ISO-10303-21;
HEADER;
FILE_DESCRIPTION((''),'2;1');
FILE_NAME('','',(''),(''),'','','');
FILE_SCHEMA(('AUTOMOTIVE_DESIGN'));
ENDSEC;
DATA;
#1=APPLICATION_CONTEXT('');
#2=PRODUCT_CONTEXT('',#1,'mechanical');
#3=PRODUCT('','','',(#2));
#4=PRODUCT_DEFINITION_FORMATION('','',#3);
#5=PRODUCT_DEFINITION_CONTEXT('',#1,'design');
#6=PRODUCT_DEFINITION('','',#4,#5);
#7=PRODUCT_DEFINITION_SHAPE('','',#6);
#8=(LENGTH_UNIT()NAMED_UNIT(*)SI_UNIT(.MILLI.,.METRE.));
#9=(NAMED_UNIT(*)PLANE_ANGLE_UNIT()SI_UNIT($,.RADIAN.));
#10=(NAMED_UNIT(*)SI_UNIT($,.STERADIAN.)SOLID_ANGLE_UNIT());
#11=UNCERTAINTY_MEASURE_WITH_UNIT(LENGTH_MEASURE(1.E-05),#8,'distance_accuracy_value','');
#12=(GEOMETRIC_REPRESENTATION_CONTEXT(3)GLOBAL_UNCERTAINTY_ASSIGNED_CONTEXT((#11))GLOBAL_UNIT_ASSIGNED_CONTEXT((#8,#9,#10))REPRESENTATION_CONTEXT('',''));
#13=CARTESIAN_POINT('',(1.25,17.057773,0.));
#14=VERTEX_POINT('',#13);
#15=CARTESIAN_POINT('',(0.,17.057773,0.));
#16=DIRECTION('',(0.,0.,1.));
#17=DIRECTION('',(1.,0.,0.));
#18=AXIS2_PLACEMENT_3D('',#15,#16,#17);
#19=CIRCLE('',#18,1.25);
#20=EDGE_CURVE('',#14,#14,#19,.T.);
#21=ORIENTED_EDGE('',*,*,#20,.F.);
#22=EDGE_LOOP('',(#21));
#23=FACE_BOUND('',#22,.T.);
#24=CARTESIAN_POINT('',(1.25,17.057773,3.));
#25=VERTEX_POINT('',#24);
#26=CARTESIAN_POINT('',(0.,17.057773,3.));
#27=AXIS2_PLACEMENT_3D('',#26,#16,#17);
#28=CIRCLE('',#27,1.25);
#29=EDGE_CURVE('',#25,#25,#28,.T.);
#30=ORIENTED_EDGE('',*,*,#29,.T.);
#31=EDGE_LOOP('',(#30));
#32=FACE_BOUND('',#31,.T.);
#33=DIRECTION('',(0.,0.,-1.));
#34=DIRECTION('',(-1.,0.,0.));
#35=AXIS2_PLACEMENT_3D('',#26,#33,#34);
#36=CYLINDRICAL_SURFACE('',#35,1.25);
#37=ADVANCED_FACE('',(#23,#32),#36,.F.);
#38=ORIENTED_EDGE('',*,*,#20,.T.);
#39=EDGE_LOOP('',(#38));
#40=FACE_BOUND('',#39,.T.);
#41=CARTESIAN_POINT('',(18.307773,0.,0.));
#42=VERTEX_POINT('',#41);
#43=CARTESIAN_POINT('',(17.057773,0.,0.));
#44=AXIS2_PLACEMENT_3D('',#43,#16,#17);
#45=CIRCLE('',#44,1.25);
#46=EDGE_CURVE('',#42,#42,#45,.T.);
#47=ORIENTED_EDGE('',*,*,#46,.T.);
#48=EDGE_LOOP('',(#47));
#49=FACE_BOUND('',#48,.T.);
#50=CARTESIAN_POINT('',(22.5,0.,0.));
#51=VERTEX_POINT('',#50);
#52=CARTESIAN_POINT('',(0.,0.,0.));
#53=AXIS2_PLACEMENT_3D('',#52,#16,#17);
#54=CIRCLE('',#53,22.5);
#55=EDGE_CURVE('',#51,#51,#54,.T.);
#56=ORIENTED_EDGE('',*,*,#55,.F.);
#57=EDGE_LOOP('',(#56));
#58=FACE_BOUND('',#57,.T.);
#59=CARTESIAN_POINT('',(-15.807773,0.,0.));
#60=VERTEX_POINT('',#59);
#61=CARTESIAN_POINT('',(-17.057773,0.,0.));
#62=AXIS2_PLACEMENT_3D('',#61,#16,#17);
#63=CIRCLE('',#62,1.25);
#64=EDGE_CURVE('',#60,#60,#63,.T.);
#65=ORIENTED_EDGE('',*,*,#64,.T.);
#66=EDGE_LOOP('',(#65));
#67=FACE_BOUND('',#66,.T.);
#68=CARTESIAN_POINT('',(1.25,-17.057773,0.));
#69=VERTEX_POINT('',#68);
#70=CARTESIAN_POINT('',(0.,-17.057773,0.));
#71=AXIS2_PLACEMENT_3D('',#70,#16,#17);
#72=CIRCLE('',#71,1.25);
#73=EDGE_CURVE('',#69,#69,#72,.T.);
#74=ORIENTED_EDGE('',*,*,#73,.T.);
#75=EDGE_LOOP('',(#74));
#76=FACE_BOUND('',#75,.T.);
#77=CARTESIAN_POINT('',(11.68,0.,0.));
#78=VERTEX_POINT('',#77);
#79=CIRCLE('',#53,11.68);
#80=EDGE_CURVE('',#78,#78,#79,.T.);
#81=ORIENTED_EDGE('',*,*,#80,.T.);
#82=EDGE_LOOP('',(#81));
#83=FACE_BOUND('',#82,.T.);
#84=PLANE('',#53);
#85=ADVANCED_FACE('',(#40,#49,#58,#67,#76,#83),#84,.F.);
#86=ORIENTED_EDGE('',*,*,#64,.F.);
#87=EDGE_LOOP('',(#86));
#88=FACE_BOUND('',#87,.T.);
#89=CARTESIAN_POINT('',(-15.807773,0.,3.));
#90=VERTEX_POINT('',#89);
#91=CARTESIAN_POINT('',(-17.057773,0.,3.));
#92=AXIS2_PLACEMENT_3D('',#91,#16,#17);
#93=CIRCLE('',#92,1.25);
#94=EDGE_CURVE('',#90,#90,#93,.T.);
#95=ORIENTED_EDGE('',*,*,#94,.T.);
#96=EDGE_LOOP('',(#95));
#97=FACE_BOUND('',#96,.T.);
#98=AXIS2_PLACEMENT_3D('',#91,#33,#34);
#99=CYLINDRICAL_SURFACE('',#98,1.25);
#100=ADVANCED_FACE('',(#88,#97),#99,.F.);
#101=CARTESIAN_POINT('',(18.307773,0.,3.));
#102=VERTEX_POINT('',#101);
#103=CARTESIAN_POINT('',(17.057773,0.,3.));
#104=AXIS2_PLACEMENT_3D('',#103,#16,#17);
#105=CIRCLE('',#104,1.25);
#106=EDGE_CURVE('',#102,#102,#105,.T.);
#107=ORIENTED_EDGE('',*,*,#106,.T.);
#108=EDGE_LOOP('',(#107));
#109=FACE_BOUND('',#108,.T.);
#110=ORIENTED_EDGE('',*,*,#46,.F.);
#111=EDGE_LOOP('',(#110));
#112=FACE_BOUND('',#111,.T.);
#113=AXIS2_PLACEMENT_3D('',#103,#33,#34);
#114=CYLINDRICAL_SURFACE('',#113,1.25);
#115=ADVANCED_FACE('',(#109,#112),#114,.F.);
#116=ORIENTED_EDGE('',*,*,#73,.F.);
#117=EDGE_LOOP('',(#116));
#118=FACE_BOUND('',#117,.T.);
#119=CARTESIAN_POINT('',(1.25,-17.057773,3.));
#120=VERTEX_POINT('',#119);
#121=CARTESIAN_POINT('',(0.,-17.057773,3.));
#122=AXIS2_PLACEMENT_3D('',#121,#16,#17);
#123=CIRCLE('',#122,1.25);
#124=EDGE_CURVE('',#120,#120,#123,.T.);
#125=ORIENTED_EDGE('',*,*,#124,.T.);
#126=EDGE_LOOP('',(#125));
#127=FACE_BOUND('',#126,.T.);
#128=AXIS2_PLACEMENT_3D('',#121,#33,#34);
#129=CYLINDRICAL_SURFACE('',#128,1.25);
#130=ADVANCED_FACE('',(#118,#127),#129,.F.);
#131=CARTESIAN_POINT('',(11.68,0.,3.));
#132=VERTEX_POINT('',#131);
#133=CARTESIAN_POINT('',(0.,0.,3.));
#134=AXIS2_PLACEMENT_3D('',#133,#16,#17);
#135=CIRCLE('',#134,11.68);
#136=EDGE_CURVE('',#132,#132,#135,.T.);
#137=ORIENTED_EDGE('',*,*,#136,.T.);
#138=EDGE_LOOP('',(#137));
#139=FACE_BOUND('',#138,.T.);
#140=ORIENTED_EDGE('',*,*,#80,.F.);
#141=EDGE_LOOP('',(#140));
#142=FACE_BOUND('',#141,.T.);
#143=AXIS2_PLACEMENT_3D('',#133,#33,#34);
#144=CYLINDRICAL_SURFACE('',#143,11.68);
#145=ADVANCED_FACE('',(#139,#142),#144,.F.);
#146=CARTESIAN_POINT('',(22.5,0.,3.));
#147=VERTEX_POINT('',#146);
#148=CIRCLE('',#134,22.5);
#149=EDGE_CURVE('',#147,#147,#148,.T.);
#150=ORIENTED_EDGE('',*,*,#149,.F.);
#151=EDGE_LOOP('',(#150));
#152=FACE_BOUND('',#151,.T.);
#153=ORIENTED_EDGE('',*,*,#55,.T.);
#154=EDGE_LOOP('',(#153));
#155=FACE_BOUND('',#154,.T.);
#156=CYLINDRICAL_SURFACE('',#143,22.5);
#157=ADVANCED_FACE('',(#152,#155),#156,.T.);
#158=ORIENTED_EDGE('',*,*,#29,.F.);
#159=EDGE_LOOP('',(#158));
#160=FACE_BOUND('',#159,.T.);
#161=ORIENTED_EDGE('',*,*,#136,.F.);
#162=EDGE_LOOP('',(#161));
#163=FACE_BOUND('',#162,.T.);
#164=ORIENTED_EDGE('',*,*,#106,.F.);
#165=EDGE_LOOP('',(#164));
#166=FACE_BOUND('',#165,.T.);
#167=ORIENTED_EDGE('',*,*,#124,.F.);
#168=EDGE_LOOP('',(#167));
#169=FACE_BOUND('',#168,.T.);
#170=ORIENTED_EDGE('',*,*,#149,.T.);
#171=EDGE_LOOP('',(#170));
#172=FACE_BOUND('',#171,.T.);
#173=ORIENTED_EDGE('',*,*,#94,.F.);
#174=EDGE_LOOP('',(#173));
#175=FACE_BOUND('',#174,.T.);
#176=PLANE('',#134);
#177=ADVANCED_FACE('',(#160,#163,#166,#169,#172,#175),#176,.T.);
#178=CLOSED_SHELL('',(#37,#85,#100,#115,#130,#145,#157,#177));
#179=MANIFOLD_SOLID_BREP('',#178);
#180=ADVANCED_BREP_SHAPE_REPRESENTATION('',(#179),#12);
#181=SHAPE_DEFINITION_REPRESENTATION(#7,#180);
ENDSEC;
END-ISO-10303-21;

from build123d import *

# Parameters (mm, degrees)
CROQUIS1_R              = 22.5
CROQUIS1_R_2            = 11.68
CROQUIS1_R_3            = 1.25
SALIENTE_EXTRUIR1_DEPTH = 3


with BuildPart() as part:
    # Croquis1 → Saliente-Extruir1 (new body)
    with BuildSketch(Plane.XY):
        Circle(CROQUIS1_R)
        Circle(CROQUIS1_R_2, mode=Mode.SUBTRACT)
        with Locations((-17.05777305, 0)):
            Circle(CROQUIS1_R_3, mode=Mode.SUBTRACT)
        with Locations((0, 17.05777305)):
            Circle(CROQUIS1_R_3, mode=Mode.SUBTRACT)
        with Locations((17.05777305, 0)):
            Circle(CROQUIS1_R_3, mode=Mode.SUBTRACT)
        with Locations((0, -17.05777305)):
            Circle(CROQUIS1_R_3, mode=Mode.SUBTRACT)
    extrude(amount=SALIENTE_EXTRUIR1_DEPTH)


solid = part.part
